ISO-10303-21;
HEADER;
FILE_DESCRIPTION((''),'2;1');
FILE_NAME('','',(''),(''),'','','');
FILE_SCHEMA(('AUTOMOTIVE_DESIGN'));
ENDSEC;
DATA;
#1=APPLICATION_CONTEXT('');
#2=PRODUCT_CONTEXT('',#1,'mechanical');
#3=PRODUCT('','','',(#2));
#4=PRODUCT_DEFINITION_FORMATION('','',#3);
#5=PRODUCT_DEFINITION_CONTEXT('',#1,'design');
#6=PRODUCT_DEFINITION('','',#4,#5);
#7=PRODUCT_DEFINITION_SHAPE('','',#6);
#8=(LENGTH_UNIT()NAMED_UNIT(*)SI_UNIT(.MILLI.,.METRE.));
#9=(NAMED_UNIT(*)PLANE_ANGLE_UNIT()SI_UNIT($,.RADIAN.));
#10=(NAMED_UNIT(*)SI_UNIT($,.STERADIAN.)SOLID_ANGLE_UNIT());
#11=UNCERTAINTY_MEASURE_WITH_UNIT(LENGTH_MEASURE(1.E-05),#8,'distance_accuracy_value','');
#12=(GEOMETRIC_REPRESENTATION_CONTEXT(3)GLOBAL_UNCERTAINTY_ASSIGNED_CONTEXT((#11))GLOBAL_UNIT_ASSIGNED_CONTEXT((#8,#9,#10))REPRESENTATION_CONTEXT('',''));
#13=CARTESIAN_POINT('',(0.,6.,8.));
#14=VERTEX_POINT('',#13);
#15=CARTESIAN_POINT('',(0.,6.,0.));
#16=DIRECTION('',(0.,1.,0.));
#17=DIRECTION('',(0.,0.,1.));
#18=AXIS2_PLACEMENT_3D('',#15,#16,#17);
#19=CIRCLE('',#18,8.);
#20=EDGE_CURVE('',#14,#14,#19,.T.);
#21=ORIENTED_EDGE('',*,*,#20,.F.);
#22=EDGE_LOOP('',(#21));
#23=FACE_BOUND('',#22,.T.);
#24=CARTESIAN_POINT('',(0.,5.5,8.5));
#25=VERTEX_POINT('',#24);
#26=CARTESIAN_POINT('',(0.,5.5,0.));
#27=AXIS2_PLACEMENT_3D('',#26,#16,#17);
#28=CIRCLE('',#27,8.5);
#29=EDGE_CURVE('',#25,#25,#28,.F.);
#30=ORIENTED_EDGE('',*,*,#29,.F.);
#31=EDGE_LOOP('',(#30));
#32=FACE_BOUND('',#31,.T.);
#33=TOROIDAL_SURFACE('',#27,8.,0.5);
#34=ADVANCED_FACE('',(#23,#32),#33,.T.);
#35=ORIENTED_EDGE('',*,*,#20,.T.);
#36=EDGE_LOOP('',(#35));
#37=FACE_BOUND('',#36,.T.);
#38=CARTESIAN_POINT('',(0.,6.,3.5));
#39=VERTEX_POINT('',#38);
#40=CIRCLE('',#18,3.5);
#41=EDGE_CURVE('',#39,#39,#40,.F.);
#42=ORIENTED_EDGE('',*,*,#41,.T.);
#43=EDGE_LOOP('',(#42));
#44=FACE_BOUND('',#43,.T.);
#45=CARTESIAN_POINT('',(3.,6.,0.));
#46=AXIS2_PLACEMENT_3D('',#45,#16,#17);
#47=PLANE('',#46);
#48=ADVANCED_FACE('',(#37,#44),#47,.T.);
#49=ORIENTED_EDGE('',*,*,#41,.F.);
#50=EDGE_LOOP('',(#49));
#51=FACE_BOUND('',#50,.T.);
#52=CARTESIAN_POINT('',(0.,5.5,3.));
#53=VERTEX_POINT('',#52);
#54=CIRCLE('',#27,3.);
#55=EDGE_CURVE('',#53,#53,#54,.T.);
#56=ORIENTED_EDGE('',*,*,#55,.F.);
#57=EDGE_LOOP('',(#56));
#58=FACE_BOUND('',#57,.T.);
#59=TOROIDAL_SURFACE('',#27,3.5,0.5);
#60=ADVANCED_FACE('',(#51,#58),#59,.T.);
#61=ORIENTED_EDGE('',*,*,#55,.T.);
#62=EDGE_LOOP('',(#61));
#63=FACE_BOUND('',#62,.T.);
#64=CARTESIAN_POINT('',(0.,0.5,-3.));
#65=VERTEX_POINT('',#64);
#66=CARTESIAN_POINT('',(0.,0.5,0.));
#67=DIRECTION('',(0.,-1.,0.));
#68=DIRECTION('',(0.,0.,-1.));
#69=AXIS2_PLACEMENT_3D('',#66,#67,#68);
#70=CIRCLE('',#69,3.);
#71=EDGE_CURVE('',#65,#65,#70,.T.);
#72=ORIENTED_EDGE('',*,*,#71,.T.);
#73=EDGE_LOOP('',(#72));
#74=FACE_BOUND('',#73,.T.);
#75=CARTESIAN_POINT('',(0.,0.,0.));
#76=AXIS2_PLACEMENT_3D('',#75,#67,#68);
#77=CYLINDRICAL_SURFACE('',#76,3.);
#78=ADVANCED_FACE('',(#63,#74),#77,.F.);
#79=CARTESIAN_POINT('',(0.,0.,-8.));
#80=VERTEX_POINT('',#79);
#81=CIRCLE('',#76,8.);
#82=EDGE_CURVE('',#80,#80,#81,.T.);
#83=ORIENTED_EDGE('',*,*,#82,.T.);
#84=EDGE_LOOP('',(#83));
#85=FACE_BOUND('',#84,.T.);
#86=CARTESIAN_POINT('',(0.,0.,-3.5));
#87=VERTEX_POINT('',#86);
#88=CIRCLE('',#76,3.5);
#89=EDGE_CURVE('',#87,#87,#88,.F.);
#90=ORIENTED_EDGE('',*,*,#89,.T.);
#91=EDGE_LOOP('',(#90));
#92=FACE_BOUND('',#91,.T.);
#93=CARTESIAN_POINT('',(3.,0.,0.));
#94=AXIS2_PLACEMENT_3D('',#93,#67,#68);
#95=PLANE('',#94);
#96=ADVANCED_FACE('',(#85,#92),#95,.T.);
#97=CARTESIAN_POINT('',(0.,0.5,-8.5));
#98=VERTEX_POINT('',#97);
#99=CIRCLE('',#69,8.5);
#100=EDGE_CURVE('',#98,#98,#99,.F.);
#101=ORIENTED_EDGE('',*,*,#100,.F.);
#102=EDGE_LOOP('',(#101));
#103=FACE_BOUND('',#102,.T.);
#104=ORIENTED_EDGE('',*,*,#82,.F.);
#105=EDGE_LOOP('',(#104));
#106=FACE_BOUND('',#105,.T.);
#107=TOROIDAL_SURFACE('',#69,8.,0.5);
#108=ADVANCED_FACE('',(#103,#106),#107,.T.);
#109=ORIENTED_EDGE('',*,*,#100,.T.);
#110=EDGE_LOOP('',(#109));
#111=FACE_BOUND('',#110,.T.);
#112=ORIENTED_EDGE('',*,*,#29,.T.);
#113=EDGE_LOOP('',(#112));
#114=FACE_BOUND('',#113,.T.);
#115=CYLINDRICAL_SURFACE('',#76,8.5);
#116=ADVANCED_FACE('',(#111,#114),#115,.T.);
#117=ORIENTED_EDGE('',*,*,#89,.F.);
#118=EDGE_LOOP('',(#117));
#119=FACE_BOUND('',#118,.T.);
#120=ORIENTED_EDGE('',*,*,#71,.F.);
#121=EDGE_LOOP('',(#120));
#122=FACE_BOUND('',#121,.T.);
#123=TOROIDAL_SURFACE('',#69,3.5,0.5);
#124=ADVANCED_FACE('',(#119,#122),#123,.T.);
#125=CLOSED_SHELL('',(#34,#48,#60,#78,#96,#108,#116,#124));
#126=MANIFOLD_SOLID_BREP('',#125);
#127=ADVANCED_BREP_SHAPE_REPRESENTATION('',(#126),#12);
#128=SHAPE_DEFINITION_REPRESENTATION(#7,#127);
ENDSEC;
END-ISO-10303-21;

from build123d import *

# Parameters (mm, degrees)
ESQUISSE1_W = 5.5
ESQUISSE1_H = 6
CONG_1_R    = 0.5


with BuildPart() as part:
    # Esquisse1 → Révolution1 (revolve)
    with BuildSketch(Plane.XY, mode=Mode.PRIVATE) as r_volution1_sk:
        with Locations((5.75, 3)):
            Rectangle(ESQUISSE1_W, ESQUISSE1_H)
    revolve(r_volution1_sk.sketch.rotate(Axis((0, 0, 0), (0, 1, 0)), 90), axis=Axis((0, 0, 0), (0, 1, 0)))

    # Congé1
    cong_1_edges = [part.edges().sort_by_distance(p)[0] for p in [
        (0, 6, 3),
        (0, 6, 8.5),
        (0, 0, 8.5),
        (0, 0, 3),
    ]]
    fillet(cong_1_edges, radius=CONG_1_R)


solid = part.part
